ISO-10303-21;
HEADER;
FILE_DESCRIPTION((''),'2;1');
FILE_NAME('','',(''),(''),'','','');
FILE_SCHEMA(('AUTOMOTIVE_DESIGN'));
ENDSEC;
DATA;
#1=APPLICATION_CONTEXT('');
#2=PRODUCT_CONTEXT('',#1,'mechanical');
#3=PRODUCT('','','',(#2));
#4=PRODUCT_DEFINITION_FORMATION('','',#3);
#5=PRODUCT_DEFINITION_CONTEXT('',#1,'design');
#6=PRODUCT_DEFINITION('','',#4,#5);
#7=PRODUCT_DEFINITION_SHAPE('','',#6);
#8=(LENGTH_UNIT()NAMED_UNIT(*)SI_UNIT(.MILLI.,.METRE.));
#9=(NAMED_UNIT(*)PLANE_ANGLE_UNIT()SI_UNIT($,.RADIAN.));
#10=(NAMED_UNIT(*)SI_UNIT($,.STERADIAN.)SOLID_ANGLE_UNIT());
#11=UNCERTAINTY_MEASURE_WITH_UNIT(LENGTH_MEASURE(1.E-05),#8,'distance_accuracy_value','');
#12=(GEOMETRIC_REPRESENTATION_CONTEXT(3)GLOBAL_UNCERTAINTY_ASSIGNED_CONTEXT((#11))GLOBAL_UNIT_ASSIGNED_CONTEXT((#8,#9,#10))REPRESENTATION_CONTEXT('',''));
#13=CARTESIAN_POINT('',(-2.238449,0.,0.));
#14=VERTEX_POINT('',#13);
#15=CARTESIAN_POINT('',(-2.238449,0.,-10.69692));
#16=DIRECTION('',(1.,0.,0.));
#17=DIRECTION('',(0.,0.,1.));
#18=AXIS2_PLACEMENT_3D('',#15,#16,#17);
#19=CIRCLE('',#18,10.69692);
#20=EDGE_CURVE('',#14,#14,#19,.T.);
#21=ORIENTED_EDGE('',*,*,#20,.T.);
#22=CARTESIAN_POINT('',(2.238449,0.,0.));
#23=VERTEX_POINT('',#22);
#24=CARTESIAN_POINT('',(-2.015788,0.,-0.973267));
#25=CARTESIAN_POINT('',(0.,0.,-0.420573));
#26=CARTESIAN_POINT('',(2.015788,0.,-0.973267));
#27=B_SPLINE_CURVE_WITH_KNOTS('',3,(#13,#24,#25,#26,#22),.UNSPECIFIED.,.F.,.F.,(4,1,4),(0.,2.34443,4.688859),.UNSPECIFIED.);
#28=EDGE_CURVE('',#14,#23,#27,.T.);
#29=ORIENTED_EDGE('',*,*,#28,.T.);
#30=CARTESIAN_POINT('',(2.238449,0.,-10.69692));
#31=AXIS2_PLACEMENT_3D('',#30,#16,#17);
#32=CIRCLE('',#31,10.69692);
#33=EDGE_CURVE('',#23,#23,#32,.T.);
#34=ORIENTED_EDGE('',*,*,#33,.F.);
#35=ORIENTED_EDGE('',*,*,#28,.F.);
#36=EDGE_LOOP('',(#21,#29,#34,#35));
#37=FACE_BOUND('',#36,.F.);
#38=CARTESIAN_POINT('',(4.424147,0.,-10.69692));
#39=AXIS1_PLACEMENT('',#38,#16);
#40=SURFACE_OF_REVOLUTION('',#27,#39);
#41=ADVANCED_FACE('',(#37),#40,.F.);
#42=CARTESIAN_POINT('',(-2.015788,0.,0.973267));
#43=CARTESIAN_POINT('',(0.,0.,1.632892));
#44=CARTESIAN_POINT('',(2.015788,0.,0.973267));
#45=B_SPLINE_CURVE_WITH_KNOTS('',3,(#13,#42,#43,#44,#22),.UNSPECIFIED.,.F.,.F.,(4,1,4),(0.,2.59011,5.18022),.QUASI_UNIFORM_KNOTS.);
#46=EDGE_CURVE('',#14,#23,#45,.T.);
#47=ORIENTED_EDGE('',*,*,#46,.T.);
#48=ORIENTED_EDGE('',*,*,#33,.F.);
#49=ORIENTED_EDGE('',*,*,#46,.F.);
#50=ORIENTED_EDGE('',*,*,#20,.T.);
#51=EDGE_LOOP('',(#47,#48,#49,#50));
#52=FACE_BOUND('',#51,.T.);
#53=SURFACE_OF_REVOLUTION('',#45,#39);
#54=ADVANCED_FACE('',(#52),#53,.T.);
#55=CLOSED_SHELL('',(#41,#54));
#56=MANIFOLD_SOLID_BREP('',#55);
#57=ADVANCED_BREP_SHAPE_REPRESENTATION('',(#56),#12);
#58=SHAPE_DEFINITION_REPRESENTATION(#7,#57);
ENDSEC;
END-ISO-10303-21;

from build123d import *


with BuildPart() as f1:
    # F0 (on Front) → F1 (revolve)
    with BuildSketch(Plane.XZ):
        with BuildLine():
            add(Edge.make_bspline(
                [(-2.238449, 0), (-2.015788, 0.973267), (0, 1.632892), (2.015788, 0.973267), (2.238449, 0)],
                knots=[0, 0, 0, 0, 2.59011, 5.18022, 5.18022, 5.18022, 5.18022], degree=3))
            add(Edge.make_bspline(
                [(-2.238449, 0), (-2.015788, -0.973267), (0, -0.420573), (2.015788, -0.973267), (2.238449, 0)],
                knots=[0, 0, 0, 0, 2.34443, 4.688859, 4.688859, 4.688859, 4.688859], degree=3))
        make_face()
    revolve(axis=Axis((4.424147, 0, -10.69692), (1, 0, 0)))


solid = f1.part
